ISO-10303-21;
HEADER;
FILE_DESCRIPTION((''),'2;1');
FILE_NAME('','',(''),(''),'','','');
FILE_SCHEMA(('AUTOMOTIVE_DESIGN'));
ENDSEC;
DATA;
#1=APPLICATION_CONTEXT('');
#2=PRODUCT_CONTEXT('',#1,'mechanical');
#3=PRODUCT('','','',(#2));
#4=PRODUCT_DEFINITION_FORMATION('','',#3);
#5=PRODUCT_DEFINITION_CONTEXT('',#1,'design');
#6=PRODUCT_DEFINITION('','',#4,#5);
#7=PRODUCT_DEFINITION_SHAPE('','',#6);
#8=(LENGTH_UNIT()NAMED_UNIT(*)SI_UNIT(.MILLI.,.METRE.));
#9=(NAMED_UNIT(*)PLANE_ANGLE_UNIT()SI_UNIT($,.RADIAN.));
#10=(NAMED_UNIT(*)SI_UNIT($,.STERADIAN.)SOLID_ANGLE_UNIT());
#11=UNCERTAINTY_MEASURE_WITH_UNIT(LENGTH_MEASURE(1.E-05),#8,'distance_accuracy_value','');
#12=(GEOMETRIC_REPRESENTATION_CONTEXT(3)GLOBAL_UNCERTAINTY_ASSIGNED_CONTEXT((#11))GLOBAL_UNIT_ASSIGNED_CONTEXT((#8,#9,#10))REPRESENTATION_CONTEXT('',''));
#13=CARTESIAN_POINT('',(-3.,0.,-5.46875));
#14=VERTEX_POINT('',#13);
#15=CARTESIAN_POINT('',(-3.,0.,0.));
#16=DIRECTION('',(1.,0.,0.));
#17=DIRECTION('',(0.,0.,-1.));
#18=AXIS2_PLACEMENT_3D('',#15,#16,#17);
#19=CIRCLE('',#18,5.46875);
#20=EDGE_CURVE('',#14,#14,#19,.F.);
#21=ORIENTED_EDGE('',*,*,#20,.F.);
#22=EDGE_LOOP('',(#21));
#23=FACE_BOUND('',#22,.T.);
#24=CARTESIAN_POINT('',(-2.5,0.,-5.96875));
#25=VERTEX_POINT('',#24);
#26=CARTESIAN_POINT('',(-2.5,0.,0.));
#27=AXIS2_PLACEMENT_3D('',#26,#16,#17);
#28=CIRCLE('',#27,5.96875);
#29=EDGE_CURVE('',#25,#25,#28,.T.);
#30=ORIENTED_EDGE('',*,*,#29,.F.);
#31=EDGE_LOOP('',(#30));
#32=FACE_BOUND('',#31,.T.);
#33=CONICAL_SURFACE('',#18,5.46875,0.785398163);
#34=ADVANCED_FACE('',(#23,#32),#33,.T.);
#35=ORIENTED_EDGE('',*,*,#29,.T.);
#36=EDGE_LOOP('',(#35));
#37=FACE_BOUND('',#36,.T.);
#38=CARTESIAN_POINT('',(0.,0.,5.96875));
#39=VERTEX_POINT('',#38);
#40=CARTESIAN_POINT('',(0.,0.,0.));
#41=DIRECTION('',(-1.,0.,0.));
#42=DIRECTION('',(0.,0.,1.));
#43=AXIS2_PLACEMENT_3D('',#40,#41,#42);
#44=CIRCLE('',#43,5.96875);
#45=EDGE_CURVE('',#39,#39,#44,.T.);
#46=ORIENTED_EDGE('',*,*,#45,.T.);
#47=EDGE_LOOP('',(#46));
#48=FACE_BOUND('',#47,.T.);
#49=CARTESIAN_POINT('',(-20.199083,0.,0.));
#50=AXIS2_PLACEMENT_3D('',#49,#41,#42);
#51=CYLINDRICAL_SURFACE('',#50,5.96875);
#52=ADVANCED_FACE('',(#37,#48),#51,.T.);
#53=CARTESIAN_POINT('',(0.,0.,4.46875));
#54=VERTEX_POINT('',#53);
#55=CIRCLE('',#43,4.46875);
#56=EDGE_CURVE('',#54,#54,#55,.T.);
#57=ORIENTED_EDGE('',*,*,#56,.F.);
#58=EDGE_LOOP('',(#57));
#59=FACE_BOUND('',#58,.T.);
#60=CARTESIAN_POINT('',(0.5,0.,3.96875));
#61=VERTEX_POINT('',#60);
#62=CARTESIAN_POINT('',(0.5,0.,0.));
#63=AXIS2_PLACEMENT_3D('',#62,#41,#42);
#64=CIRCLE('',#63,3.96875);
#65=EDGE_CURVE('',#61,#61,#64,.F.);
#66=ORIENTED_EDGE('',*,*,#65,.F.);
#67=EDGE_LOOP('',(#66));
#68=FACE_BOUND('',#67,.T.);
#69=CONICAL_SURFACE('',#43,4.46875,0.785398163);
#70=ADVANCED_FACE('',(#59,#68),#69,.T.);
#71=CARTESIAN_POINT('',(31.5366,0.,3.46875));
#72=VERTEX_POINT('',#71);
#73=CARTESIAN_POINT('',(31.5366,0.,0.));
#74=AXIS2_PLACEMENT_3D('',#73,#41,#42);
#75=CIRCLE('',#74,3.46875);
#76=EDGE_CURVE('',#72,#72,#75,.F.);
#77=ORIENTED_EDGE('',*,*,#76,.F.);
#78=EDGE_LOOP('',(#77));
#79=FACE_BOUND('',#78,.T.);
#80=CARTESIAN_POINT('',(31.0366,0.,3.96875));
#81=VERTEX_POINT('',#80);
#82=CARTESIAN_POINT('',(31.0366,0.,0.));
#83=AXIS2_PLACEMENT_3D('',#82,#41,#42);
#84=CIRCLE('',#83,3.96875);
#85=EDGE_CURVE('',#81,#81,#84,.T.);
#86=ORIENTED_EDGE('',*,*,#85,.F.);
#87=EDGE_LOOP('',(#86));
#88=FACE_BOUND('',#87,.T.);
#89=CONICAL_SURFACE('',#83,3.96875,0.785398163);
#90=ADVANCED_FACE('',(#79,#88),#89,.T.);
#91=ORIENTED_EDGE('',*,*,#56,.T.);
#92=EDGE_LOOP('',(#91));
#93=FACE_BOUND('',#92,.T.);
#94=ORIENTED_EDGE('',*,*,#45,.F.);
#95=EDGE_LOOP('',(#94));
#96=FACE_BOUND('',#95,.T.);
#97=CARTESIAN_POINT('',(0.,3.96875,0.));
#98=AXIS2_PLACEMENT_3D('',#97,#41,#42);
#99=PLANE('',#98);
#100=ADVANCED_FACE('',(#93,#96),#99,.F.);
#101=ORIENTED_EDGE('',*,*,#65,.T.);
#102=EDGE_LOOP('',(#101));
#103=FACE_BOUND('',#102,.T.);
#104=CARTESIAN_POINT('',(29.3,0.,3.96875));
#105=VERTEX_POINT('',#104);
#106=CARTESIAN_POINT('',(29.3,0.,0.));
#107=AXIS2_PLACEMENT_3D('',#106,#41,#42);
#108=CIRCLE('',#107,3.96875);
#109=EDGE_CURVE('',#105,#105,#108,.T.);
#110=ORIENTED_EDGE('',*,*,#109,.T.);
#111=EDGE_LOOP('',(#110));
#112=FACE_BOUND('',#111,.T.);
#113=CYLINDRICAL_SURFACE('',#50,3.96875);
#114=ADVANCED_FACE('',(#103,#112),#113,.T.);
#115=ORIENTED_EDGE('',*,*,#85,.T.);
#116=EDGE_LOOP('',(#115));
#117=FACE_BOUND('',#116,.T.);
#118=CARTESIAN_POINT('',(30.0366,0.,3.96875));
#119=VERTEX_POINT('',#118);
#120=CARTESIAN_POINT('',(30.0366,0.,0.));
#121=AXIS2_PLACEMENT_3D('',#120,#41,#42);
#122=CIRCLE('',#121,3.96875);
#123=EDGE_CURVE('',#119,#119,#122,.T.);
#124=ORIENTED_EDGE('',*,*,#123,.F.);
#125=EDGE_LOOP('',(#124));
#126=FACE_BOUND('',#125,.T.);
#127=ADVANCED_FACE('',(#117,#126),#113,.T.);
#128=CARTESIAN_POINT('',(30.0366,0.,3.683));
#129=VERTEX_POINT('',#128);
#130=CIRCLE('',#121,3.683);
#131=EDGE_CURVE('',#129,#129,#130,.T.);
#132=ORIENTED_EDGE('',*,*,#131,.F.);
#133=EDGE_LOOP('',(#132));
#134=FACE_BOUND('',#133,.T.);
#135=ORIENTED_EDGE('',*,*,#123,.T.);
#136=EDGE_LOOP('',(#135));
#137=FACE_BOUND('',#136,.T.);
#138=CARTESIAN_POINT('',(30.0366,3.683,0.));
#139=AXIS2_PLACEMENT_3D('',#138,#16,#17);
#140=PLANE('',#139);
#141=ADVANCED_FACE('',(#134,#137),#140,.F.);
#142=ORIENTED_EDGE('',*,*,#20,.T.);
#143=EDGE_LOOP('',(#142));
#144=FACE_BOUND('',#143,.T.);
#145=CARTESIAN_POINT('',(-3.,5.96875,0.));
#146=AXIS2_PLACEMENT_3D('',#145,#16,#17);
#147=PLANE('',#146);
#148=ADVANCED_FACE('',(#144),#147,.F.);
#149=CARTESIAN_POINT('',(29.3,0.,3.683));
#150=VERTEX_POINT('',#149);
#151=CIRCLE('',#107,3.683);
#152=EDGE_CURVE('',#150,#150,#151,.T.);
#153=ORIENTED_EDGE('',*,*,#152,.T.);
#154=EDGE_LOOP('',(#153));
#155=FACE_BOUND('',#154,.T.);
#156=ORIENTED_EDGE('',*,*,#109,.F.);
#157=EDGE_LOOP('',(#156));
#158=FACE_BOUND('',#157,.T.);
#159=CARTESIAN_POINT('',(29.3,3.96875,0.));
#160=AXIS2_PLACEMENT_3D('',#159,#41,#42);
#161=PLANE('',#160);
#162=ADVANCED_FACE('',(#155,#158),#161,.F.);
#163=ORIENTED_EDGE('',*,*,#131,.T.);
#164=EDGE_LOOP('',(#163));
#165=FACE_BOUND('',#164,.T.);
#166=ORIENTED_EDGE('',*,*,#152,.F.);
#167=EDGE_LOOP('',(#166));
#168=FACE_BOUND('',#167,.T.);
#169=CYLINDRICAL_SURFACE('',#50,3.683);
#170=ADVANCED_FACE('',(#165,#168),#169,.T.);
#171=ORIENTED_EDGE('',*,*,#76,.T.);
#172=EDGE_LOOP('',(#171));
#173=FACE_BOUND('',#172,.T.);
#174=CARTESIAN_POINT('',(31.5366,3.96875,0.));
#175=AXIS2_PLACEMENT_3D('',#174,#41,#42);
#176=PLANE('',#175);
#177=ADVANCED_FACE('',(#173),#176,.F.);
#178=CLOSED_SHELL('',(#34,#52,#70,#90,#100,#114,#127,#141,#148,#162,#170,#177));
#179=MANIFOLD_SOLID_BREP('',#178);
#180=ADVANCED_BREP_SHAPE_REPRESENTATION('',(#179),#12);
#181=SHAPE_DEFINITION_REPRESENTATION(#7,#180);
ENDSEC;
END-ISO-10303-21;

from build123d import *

# Parameters (mm, degrees)
CHAMFER1_SIZE = 0.5


with BuildPart() as part:
    # Sketch1 → Revolve1 (revolve)
    with BuildSketch(Plane.XY):
        Polygon((0, 3.96875), (0, 5.96875), (-3, 5.96875), (-3, 0), (31.5366, 0), (31.5366, 3.96875), (30.0366, 3.96875), (30.0366, 3.683), (29.3, 3.683), (29.3, 3.96875), align=None)
    revolve(axis=Axis((-20.199082849, 0, 0), (1, 0, 0)))

    # Chamfer1
    chamfer1_edges = [part.edges().sort_by_distance(p)[0] for p in [
        (0, -3.96875, 0),
        (-3, -5.96875, 0),
        (31.5366, -3.96875, 0),
    ]]
    chamfer(chamfer1_edges, length=CHAMFER1_SIZE)


solid = part.part
